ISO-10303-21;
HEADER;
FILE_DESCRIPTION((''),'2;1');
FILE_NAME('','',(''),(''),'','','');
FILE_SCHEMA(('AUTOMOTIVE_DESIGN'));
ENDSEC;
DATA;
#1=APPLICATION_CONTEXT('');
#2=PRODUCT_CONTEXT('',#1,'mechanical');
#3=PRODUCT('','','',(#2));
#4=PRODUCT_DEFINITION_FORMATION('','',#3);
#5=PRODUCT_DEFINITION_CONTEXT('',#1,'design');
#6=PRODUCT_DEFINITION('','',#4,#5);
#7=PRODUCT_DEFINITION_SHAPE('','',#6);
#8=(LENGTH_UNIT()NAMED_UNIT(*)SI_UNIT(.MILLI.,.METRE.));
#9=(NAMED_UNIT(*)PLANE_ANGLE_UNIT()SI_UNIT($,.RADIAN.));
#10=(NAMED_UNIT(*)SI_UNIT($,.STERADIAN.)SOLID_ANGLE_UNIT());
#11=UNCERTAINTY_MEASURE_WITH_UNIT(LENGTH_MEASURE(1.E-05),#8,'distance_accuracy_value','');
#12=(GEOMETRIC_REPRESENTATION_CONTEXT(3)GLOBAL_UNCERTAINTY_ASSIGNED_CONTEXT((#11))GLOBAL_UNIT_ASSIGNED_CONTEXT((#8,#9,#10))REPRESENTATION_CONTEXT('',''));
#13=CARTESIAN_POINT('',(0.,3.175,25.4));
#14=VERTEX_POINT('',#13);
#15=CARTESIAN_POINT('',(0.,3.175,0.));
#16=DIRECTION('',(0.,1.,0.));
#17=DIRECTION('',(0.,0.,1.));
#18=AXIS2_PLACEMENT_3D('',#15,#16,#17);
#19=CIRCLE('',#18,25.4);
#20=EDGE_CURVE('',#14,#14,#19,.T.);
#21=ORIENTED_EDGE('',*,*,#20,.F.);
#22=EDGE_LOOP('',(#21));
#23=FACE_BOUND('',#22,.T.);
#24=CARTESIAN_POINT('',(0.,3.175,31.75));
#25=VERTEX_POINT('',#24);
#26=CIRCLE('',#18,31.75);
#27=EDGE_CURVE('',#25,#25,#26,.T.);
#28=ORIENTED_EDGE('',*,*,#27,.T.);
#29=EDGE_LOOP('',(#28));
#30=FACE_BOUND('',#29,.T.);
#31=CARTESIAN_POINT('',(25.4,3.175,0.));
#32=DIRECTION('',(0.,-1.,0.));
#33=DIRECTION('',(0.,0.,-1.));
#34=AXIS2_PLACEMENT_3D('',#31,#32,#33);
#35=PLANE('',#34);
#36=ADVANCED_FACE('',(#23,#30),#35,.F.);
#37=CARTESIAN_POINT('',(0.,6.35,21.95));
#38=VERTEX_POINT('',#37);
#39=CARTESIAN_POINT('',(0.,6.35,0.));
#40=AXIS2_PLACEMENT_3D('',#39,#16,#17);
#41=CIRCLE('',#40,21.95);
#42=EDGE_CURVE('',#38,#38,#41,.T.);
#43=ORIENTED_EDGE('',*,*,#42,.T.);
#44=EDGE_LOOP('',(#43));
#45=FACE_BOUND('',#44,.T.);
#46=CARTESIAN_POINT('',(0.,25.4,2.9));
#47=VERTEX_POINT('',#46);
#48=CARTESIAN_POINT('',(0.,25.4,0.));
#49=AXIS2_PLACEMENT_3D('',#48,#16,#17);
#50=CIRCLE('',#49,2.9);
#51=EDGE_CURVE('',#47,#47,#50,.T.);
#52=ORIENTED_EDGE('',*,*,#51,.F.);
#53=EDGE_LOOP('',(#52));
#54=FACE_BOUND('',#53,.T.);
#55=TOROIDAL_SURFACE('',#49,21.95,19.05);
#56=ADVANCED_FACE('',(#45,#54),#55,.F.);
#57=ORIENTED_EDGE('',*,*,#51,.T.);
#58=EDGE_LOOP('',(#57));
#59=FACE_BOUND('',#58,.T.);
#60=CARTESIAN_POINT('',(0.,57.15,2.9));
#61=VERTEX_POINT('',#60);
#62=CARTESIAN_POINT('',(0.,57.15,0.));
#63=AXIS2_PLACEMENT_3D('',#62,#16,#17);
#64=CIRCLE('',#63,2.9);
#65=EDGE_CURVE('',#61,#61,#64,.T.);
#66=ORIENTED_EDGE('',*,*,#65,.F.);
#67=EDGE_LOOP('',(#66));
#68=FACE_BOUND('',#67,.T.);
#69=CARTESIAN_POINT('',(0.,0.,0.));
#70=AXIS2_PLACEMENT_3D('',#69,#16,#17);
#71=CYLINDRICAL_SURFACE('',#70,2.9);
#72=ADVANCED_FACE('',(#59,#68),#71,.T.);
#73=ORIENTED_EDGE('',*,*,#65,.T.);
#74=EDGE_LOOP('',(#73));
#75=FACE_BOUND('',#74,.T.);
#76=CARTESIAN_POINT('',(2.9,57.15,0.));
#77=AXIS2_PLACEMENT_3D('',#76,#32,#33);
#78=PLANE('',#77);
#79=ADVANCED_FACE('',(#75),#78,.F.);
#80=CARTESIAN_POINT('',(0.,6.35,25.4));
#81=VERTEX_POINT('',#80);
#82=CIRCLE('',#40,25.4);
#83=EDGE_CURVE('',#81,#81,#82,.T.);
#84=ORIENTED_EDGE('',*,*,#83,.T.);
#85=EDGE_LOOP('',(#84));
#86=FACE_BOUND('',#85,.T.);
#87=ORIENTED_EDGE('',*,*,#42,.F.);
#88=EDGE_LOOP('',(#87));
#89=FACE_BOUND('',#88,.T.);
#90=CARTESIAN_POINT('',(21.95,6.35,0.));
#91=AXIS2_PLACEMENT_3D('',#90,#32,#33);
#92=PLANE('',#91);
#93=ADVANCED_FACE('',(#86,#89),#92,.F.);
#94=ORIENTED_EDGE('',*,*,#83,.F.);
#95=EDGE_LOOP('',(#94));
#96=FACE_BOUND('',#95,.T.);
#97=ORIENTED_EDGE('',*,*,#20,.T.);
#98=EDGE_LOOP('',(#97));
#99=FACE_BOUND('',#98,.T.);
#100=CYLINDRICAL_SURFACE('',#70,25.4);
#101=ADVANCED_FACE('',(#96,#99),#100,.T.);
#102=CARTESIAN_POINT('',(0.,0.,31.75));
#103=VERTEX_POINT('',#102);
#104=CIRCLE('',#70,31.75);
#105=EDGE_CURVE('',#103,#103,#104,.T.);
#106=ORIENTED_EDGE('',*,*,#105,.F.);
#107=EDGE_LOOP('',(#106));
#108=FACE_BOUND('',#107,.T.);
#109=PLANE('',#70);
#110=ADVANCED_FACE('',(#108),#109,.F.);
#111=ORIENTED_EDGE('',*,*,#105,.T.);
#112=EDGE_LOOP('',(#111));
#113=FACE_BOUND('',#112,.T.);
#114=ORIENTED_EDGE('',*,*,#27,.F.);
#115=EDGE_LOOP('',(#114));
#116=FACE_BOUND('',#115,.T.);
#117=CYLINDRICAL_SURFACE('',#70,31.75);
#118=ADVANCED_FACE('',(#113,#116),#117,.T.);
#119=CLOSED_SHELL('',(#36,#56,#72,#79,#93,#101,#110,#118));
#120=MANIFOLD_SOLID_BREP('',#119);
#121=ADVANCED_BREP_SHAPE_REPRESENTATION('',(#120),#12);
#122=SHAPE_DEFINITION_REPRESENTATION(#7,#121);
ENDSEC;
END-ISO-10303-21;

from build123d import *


with BuildPart() as part:
    # Sketch1 → Revolve1 (revolve)
    with BuildSketch(Plane.XY, mode=Mode.PRIVATE) as revolve1_sk:
        with BuildLine():
            Line((0, 0), (31.75, 0))
            Line((31.75, 0), (31.75, 3.175))
            Line((31.75, 3.175), (25.4, 3.175))
            Line((25.4, 3.175), (25.4, 6.35))
            Line((25.4, 6.35), (21.95, 6.35))
            ThreePointArc((21.95, 6.35), (8.479615818, 11.929615818), (2.9, 25.4))
            Line((2.9, 25.4), (2.9, 57.15))
            Line((2.9, 57.15), (0, 57.15))
            Line((0, 57.15), (0, 0))
        make_face()
    revolve(revolve1_sk.sketch.rotate(Axis((0, 0, 0), (0, -1, 0)), 90), axis=Axis((0, 0, 0), (0, -1, 0)))


solid = part.part
